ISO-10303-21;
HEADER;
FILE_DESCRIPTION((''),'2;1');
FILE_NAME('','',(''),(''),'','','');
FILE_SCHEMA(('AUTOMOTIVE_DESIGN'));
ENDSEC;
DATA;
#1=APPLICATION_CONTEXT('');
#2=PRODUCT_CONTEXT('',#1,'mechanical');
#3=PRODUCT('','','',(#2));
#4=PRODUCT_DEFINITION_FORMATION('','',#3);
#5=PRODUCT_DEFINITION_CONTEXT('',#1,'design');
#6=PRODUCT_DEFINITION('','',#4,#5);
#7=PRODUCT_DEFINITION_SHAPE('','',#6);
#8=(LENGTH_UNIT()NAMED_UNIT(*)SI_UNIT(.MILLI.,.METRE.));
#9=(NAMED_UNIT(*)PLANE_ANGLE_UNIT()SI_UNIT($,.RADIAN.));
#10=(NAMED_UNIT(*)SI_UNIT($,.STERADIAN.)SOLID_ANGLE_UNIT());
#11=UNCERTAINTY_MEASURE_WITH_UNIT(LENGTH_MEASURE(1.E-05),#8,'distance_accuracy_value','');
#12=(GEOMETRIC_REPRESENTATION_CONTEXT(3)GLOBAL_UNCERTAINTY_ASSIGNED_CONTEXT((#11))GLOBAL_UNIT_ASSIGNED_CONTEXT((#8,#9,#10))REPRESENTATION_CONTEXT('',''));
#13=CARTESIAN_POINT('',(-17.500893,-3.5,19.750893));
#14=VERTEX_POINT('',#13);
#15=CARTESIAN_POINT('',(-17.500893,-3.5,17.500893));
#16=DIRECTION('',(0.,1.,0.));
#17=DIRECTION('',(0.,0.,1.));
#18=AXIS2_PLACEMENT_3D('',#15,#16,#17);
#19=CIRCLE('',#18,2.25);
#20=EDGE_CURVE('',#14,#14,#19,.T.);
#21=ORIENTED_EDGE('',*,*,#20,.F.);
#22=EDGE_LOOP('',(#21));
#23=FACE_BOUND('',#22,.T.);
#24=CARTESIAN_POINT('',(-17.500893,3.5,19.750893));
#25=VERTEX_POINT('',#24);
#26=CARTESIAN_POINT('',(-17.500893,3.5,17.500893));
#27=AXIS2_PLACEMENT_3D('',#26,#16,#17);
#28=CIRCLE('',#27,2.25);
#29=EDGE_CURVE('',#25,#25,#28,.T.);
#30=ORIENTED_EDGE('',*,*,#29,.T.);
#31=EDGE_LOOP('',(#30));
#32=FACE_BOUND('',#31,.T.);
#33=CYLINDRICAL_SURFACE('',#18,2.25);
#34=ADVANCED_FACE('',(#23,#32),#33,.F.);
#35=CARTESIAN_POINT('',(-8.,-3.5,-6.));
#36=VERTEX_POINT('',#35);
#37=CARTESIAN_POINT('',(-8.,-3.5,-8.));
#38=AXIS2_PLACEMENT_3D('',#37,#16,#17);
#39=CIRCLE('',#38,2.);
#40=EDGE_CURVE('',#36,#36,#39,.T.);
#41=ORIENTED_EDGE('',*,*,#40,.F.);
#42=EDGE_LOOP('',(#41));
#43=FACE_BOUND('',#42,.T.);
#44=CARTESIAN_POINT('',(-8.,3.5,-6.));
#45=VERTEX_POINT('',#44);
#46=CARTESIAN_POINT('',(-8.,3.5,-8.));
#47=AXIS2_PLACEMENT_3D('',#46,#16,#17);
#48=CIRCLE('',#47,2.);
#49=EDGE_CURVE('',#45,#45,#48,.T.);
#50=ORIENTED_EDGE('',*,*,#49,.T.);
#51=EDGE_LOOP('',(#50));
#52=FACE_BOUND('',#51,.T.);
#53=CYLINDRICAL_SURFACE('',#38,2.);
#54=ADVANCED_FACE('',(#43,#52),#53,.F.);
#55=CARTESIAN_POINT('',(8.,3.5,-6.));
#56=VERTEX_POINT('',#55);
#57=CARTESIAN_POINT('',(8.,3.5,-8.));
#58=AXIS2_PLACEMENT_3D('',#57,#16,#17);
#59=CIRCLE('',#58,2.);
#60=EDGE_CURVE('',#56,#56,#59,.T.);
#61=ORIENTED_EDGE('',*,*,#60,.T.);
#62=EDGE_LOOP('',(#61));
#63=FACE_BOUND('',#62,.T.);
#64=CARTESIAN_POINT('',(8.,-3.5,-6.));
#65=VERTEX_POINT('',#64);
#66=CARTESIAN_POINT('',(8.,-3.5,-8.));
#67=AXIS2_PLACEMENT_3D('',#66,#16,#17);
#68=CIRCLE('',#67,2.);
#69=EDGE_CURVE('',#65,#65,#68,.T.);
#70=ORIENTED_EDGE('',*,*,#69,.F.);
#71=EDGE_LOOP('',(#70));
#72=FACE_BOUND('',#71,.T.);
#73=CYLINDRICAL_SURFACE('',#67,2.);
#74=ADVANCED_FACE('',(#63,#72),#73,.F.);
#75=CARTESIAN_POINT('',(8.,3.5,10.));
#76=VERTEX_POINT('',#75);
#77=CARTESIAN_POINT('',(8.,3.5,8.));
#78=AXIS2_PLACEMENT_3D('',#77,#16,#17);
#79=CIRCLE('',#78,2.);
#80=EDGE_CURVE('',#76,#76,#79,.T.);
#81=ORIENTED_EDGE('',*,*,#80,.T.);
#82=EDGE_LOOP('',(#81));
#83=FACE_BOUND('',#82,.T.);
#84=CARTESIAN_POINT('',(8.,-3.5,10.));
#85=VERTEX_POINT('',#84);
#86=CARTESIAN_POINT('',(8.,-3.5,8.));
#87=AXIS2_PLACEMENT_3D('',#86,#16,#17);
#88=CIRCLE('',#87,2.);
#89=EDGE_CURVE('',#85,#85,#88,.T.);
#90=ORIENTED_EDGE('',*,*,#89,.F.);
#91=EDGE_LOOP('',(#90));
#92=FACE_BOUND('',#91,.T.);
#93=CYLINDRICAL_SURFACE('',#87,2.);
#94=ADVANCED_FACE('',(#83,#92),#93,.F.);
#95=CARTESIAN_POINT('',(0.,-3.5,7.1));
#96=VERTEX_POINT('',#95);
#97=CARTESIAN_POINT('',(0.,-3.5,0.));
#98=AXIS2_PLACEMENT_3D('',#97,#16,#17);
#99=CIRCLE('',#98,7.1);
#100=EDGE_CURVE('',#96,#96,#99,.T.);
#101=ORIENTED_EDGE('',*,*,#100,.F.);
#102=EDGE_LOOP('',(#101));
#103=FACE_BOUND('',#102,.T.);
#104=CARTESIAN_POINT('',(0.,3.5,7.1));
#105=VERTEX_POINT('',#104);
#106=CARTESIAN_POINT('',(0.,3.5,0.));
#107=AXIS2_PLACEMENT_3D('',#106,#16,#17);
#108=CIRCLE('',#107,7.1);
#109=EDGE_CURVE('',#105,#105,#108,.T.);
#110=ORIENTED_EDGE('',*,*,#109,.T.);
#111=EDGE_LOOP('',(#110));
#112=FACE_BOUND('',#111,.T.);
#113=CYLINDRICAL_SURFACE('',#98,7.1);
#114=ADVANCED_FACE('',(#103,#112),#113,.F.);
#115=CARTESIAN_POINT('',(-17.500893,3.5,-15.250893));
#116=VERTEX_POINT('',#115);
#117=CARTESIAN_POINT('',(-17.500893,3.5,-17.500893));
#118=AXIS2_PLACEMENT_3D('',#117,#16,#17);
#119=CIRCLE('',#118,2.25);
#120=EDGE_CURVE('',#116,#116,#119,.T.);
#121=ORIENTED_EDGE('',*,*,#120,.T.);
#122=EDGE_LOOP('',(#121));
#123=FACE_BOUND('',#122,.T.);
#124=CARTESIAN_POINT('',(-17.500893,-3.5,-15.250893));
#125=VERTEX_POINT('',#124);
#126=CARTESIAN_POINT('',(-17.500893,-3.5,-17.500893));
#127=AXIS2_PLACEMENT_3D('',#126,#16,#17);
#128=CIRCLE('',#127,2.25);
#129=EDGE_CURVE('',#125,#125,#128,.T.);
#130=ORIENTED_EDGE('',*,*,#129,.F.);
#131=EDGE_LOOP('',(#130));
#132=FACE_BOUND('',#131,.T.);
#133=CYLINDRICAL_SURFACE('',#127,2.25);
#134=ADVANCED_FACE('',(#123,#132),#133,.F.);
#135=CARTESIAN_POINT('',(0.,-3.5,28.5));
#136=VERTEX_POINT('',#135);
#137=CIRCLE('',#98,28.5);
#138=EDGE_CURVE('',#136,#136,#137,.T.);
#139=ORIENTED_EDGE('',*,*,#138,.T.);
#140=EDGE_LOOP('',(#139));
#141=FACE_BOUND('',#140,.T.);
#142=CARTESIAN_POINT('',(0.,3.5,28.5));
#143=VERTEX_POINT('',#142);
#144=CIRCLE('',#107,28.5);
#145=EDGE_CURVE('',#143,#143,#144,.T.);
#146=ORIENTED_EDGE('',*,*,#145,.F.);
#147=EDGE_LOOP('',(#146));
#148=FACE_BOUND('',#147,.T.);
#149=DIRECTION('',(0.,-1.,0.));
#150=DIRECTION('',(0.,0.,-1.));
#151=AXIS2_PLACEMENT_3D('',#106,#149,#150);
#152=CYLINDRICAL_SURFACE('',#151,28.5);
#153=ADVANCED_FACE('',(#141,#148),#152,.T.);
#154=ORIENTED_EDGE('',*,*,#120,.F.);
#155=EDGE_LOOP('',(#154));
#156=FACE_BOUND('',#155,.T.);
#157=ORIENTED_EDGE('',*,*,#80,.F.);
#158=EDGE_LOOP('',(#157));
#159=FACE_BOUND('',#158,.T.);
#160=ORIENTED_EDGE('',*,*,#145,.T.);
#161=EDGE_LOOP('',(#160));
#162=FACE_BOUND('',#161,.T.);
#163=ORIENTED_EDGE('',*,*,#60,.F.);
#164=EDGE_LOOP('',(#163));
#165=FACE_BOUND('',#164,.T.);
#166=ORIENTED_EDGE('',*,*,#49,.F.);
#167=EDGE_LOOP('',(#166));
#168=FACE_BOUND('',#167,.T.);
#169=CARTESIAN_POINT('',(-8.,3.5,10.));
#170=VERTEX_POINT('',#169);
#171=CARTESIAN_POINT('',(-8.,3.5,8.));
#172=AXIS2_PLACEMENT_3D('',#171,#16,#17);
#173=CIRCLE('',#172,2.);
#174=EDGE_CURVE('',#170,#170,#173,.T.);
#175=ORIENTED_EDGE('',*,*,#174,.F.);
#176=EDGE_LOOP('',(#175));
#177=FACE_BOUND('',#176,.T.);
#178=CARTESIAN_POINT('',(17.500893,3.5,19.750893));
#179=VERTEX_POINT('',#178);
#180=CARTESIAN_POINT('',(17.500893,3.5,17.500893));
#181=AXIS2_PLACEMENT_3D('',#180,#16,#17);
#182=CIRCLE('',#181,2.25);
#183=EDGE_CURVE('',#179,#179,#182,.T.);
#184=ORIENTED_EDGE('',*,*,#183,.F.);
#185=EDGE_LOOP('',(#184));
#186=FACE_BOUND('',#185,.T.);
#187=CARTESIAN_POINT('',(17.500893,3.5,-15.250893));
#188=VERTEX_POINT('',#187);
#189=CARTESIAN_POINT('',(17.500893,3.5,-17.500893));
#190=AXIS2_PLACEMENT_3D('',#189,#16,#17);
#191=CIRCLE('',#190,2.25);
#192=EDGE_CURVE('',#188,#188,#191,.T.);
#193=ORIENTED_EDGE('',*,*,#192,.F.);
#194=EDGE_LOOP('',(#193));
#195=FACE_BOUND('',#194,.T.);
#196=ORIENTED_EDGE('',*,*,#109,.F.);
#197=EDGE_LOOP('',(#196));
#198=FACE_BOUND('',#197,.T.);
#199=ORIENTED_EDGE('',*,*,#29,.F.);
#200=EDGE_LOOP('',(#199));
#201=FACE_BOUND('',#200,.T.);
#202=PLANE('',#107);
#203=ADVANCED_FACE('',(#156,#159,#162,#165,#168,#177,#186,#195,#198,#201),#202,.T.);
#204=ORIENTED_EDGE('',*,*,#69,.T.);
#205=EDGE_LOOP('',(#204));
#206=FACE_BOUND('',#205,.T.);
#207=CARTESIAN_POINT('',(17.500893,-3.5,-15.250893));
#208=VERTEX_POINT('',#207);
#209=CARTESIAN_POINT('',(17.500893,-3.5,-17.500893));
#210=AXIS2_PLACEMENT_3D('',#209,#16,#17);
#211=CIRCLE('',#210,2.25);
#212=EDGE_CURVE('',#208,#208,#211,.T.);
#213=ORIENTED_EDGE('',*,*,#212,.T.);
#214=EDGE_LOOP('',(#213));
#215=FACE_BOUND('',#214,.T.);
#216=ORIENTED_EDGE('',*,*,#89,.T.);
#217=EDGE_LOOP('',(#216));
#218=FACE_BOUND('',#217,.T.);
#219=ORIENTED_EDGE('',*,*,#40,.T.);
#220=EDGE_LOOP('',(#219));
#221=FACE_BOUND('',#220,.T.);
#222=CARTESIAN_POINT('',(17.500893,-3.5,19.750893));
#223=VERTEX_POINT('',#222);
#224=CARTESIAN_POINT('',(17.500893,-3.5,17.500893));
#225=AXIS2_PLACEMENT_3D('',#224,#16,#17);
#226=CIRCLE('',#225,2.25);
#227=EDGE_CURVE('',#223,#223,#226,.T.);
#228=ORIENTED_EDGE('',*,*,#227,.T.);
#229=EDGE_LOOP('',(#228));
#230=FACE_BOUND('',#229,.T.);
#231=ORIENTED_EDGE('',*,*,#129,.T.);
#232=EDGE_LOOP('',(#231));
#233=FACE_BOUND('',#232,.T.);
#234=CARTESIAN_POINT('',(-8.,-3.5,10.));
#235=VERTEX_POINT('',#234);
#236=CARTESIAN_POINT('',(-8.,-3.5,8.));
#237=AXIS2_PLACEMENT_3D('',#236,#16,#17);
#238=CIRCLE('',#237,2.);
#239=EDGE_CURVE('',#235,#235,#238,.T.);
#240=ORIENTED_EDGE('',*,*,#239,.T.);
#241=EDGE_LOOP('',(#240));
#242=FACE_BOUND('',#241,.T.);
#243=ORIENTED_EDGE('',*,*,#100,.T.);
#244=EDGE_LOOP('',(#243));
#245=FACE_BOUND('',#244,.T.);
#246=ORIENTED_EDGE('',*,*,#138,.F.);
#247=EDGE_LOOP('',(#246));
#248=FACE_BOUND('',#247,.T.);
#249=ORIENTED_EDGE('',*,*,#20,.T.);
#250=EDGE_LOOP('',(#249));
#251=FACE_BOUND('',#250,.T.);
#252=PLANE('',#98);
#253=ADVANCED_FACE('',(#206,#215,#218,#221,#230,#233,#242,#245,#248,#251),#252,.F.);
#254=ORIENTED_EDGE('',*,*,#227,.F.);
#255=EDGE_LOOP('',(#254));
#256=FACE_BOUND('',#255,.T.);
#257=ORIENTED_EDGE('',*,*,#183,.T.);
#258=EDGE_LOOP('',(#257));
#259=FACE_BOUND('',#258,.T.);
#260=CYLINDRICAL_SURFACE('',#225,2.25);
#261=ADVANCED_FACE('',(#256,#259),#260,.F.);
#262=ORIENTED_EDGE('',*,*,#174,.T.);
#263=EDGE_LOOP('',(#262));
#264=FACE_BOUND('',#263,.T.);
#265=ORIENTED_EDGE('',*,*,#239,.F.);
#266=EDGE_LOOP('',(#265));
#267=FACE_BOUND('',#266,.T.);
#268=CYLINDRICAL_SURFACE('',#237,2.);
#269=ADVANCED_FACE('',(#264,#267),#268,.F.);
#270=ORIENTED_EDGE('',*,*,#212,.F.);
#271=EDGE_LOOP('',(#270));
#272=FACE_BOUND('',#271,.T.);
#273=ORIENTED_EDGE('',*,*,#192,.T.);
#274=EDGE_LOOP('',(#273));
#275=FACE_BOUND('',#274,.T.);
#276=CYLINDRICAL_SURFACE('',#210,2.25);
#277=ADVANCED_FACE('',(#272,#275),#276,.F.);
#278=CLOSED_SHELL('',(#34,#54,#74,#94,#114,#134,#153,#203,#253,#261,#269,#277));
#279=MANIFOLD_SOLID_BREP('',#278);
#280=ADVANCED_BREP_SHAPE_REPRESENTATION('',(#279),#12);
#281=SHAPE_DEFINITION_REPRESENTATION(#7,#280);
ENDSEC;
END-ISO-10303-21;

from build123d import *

# Parameters (mm, degrees)
SKETCH1_R           = 28.5
BOSS_EXTRUDE1_DEPTH = 3.5
SKETCH2_R           = 2.25
SKETCH2_R_2         = 2
CUT_EXTRUDE1_DEPTH  = 41.908434338
SKETCH3_R           = 7.1
CUT_EXTRUDE2_DEPTH  = 41.908434338


with BuildPart() as part:
    # Sketch1 → Boss-Extrude1 (new, symmetric)
    with BuildSketch(Plane(origin=(0, 0, 0), x_dir=(1, 0, 0), z_dir=(0, 1, 0))):
        with Locations(Location((0, 0, 0), (0, 0, 270))):
            Circle(SKETCH1_R)
    extrude(amount=BOSS_EXTRUDE1_DEPTH, both=True)

    # Sketch2 → Cut-Extrude1 (cut, through all)
    with BuildSketch(Plane(origin=(0, 3.5, 0), x_dir=(1, 0, 0), z_dir=(0, 1, 0))):
        with Locations(Location((17.500892834, 17.500892834, 0), (0, 0, 270))):
            Circle(SKETCH2_R)
        with Locations(Location((17.500892834, -17.500892834, 0), (0, 0, 270))):
            Circle(SKETCH2_R)
        with Locations(Location((-17.500892834, -17.500892834, 0), (0, 0, 270))):
            Circle(SKETCH2_R)
        with Locations(Location((-17.500892834, 17.500892834, 0), (0, 0, 270))):
            Circle(SKETCH2_R)
        with Locations(Location((-8, -8, 0), (0, 0, 270))):
            Circle(SKETCH2_R_2)
        with Locations(Location((-8, 8, 0), (0, 0, 270))):
            Circle(SKETCH2_R_2)
        with Locations(Location((8, 8, 0), (0, 0, 270))):
            Circle(SKETCH2_R_2)
        with Locations(Location((8, -8, 0), (0, 0, 270))):
            Circle(SKETCH2_R_2)
    extrude(amount=-CUT_EXTRUDE1_DEPTH, mode=Mode.SUBTRACT)

    # Sketch3 → Cut-Extrude2 (cut, through all)
    with BuildSketch(Plane(origin=(0, 3.5, 0), x_dir=(1, 0, 0), z_dir=(0, 1, 0))):
        with Locations(Location((0, 0, 0), (0, 0, 270))):
            Circle(SKETCH3_R)
    extrude(amount=-CUT_EXTRUDE2_DEPTH, mode=Mode.SUBTRACT)


solid = part.part
